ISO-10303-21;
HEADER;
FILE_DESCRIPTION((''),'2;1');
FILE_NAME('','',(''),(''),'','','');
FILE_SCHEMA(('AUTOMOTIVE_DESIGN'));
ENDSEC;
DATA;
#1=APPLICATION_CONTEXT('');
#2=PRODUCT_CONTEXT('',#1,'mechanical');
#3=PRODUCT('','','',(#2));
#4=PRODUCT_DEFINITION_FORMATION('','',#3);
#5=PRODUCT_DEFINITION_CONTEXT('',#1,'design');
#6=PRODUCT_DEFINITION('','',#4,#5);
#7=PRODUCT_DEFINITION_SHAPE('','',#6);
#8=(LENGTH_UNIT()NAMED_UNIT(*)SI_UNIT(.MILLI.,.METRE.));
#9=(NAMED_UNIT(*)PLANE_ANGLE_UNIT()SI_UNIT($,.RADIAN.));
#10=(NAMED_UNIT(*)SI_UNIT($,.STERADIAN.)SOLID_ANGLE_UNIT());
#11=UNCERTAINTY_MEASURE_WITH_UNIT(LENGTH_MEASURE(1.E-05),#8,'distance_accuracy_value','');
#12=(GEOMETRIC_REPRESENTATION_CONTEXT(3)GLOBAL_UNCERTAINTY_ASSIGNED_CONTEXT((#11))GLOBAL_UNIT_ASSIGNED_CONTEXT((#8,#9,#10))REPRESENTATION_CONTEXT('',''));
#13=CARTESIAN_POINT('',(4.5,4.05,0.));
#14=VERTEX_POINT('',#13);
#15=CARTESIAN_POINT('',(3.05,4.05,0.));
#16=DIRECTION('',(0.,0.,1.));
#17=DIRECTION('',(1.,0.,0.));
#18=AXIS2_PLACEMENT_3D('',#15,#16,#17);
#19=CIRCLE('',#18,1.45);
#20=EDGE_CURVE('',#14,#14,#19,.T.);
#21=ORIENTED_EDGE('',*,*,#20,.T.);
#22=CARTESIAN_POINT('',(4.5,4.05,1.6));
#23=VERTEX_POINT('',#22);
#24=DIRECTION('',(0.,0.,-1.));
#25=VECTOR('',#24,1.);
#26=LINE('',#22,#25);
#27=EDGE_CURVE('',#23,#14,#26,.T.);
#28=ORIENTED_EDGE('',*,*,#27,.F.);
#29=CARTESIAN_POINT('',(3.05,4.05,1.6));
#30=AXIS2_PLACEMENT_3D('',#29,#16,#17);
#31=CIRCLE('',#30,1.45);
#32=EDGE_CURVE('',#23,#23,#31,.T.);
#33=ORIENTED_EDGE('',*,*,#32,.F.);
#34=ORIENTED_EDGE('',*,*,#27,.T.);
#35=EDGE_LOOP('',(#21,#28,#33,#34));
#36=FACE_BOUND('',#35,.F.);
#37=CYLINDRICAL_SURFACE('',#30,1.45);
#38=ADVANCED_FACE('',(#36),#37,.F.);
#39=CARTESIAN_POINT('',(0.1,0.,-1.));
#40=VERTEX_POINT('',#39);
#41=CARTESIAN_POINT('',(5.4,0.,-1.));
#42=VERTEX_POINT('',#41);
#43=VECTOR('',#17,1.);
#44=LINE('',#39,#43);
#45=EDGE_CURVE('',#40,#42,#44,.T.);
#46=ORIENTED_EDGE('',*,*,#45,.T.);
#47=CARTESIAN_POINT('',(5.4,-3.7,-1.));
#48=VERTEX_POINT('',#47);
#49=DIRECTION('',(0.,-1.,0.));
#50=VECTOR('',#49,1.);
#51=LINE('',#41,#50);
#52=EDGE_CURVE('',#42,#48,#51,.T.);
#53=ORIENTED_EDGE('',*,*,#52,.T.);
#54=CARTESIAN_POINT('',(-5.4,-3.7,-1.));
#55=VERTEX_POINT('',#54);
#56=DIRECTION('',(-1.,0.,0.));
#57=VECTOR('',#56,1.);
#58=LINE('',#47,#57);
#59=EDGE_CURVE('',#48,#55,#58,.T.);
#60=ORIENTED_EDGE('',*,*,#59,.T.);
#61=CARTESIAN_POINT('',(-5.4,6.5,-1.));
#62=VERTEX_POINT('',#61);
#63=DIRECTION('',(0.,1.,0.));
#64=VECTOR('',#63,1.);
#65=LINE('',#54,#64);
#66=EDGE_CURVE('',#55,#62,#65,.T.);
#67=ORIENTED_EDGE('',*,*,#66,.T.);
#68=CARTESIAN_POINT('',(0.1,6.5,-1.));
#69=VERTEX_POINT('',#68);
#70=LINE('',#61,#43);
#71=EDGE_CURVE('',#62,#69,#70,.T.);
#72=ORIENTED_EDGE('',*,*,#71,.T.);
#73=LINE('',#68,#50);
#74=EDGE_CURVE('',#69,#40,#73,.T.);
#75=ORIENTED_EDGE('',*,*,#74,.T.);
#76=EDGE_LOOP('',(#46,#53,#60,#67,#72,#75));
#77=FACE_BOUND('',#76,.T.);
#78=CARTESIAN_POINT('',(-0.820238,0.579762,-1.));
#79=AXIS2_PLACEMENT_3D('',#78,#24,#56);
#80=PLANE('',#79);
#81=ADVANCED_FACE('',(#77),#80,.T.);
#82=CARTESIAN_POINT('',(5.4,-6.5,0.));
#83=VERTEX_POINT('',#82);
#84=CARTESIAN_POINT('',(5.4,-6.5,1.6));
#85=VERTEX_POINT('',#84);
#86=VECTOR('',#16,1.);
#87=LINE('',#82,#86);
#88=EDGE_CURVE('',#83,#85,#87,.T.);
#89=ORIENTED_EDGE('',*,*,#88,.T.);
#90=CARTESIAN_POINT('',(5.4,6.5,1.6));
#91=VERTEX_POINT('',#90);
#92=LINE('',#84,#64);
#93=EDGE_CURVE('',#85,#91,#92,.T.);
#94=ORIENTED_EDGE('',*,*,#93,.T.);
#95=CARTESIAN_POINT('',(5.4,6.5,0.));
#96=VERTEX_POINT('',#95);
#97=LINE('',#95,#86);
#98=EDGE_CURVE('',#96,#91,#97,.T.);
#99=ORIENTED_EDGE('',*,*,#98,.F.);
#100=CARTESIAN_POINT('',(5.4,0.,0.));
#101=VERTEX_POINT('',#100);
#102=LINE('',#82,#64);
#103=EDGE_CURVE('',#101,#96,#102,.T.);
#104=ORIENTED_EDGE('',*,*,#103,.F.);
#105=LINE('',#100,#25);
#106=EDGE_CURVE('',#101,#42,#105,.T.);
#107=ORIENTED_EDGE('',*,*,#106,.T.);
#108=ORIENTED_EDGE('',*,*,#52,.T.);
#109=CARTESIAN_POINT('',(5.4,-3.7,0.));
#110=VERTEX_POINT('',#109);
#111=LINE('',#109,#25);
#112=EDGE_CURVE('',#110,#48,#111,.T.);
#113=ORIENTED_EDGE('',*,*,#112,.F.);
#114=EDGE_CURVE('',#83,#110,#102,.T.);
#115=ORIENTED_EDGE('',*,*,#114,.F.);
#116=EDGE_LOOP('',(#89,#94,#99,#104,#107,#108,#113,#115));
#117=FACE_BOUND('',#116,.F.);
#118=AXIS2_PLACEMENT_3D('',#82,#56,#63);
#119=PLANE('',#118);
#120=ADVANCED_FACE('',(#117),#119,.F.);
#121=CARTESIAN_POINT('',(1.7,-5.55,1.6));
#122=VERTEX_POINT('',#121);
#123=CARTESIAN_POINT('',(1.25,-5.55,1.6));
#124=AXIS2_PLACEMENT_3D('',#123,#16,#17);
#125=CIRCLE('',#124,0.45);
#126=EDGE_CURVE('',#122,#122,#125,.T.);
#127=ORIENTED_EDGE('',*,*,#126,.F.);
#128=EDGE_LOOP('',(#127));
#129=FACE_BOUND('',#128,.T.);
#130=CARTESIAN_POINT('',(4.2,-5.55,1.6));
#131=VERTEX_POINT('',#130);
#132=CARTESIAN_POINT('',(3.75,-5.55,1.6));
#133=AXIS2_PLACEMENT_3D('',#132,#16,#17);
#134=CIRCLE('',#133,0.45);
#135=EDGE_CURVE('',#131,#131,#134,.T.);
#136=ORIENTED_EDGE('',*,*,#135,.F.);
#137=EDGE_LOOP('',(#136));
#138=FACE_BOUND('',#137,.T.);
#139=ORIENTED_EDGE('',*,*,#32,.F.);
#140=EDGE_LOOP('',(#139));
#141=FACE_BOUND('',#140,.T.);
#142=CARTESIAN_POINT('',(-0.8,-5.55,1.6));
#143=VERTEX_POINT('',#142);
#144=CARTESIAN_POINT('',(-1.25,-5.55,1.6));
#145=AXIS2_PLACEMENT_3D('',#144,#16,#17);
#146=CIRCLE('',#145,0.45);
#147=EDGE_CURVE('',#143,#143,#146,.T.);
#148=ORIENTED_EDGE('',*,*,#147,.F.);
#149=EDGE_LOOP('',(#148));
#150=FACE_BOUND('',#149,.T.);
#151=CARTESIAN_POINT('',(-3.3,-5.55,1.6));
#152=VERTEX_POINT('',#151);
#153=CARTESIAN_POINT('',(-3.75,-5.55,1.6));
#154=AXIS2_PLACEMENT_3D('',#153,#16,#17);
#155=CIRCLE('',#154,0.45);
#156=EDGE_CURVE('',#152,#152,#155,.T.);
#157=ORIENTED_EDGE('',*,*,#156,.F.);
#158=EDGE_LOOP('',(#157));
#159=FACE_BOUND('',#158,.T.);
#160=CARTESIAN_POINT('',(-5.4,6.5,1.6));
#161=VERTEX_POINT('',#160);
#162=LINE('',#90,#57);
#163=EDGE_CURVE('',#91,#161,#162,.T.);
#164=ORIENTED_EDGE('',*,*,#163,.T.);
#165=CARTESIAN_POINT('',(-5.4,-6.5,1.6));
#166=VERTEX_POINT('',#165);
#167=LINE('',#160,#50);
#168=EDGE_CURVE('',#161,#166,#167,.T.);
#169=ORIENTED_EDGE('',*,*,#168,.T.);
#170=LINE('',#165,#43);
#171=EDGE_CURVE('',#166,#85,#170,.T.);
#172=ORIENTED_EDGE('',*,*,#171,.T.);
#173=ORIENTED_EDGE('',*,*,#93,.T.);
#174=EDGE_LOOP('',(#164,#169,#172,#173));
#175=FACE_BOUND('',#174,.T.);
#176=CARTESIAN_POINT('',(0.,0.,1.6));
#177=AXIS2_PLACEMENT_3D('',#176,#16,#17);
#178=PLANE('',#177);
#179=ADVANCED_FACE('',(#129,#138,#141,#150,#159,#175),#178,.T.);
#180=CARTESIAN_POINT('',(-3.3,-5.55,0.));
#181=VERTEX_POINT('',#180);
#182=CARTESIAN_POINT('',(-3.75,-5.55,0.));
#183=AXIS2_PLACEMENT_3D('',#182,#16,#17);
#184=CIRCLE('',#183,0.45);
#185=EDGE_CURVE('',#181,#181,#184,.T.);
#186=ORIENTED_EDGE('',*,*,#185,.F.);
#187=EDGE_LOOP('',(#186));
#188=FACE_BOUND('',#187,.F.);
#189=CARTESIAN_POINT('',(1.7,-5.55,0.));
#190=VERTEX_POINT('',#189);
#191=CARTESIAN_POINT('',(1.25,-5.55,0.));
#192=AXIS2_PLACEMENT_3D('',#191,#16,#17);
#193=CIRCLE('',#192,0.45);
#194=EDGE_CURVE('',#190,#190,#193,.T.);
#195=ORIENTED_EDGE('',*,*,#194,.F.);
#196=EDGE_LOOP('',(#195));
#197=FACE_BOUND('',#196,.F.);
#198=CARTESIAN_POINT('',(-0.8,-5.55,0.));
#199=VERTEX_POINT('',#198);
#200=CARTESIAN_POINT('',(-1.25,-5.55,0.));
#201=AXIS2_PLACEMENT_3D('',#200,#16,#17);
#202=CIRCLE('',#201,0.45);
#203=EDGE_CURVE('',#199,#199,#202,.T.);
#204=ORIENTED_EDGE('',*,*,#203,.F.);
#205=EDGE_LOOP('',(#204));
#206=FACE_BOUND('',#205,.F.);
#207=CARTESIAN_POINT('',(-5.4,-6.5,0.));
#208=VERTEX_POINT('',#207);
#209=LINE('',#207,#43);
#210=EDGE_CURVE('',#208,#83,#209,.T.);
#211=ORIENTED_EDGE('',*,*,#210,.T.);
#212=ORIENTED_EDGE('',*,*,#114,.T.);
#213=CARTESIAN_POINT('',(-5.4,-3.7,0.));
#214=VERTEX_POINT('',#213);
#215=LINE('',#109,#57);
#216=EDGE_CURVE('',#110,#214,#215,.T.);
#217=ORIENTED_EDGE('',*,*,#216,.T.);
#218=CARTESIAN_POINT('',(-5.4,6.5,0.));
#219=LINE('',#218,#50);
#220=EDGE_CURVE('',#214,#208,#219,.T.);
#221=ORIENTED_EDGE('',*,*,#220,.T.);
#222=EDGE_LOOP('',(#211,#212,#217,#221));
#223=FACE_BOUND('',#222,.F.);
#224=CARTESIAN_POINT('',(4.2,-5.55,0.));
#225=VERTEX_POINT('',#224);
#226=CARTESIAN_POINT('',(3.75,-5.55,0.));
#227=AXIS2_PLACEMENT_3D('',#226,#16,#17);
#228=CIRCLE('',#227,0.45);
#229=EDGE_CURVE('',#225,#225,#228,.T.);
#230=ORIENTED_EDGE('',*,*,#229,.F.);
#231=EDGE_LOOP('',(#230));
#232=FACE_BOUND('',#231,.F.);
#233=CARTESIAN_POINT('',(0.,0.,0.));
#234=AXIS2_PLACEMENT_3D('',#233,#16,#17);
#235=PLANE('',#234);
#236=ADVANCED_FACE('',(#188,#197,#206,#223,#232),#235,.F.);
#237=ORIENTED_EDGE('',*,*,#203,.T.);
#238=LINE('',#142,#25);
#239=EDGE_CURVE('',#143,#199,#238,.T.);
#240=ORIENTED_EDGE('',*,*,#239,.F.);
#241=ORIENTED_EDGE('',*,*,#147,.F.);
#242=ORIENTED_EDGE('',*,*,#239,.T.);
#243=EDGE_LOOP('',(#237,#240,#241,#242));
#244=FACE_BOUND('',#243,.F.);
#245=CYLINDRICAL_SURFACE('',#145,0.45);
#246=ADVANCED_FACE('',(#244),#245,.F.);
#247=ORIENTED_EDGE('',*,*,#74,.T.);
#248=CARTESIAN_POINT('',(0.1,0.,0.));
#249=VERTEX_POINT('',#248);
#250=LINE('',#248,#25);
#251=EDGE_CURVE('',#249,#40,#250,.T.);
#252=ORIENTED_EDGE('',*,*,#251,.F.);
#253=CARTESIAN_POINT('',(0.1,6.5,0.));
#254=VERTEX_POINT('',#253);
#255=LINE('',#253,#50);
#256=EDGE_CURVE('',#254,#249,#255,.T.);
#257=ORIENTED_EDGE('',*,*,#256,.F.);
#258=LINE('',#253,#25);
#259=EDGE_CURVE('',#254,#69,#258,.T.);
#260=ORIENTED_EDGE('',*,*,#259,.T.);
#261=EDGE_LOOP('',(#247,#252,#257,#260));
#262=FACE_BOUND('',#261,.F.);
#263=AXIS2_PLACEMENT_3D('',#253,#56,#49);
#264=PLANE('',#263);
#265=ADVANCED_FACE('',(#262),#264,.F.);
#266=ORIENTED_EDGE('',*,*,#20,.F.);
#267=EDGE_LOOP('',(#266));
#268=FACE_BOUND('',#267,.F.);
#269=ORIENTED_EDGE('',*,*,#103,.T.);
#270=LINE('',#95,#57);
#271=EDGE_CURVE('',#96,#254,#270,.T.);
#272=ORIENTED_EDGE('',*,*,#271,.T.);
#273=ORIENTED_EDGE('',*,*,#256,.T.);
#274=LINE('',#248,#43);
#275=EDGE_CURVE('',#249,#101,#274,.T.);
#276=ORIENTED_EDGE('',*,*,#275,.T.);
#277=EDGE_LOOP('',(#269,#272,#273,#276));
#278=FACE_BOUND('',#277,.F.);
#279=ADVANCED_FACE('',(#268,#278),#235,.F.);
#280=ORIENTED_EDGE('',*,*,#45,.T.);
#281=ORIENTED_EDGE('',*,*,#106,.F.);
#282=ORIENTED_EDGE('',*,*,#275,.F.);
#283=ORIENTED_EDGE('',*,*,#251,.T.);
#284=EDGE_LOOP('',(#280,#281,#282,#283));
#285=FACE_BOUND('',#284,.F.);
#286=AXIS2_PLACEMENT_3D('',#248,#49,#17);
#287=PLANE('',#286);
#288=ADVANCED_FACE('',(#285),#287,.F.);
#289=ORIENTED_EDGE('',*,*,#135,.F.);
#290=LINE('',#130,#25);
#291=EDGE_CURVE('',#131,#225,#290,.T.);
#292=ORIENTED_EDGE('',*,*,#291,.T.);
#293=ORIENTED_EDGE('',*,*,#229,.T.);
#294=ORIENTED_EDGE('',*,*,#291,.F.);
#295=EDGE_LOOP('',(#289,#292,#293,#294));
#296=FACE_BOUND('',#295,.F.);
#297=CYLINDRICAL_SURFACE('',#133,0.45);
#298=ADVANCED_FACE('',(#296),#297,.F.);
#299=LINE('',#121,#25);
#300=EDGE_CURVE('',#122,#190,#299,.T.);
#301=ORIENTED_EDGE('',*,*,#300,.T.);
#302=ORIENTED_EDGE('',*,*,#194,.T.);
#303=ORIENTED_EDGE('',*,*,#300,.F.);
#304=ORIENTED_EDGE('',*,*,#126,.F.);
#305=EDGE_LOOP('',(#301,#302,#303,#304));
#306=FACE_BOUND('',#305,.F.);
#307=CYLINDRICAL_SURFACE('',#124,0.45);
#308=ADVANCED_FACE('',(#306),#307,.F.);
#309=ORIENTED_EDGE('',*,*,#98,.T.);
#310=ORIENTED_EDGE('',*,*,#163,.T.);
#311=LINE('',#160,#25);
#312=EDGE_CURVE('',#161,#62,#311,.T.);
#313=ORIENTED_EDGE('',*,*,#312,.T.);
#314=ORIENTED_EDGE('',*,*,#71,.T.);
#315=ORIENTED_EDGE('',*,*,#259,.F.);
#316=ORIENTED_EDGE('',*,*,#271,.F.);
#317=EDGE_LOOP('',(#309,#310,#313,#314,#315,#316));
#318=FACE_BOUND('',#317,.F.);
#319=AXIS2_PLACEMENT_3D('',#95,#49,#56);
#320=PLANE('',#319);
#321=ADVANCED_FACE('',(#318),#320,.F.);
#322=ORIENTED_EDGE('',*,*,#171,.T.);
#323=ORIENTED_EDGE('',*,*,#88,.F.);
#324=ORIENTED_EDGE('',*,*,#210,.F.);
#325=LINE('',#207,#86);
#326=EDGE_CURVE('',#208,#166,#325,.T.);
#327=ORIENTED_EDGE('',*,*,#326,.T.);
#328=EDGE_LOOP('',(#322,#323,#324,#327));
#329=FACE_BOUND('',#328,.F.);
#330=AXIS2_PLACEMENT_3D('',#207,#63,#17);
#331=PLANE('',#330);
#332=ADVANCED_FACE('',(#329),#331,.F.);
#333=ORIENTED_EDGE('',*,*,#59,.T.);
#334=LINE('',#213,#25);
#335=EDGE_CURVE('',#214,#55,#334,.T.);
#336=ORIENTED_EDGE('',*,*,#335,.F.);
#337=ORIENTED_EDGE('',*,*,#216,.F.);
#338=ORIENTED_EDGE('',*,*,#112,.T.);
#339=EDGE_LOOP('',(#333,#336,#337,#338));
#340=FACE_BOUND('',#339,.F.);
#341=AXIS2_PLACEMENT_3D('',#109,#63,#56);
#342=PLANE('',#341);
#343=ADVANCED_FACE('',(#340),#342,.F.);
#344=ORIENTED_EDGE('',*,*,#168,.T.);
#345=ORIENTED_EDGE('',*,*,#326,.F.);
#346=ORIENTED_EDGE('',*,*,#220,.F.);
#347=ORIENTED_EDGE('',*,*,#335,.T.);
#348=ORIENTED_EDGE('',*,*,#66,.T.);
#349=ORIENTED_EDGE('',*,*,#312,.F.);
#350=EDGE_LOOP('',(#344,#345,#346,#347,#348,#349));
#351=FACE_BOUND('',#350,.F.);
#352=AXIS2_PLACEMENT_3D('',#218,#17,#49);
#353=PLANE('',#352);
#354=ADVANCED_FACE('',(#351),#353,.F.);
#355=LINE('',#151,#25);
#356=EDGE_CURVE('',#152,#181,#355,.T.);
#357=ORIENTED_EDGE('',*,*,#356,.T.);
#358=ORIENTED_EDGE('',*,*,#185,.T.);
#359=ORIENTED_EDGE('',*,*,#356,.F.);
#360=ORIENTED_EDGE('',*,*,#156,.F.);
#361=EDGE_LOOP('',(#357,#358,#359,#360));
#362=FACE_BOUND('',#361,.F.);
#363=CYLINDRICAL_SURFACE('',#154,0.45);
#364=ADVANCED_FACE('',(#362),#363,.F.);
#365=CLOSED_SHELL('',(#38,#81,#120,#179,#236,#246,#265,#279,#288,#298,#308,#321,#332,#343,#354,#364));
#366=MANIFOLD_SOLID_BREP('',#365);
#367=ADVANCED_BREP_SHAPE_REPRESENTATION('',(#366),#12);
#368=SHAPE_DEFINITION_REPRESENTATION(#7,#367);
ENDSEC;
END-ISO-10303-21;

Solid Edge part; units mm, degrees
sketch "Sketch1" plane through (0, 0, 0) normal (0, 0, 1) x (1, 0, 0)
  line L0 (-5.4, -6.5) -> (5.4, -6.5)
  line L1 (5.4, -6.5) -> (5.4, 6.5)
  line L2 (5.4, 6.5) -> (-5.4, 6.5)
  line L3 (-5.4, 6.5) -> (-5.4, -6.5)
  dimension "D1" = 10.8
  dimension "D2" = 13
extrude "Protrusion1" add sketch "Sketch1" along normal blind 1.6
sketch "Sketch2" plane through (0, 0, 1.6) normal (0, 0, 1) x (1, 0, 0)
  circle A0 centre (3.05, 4.05) radius 1.45
  dimension "D1" = 2.9
  dimension "D2" = 1
  dimension "D3" = 0.9
extrude "Cutout1" cut sketch "Sketch2" against normal through all
sketch "Sketch3" plane through (0, 0, 1.6) normal (0, 0, 1) x (1, 0, 0)
  circle A0 centre (-3.75, -5.55) radius 0.45
  circle A1 centre (-1.25, -5.55) radius 0.45
  circle A2 centre (1.25, -5.55) radius 0.45
  circle A3 centre (3.75, -5.55) radius 0.45
  dimension "D1" = 0.9
  dimension "D2" = 2.5
  dimension "D3" = 0.95
extrude "Cutout2" cut sketch "Sketch3" against normal through all
sketch "Sketch4" plane through (0, 0, 0) normal (0, 0, -1) x (-1, 0, 0)
  line L0 (-0.1, 6.5) -> (-0.1, 0)
  line L1 (-0.1, 0) -> (-5.4, 0)
  line L2 (-5.4, 0) -> (-5.4, -3.7)
  line L3 (-5.4, -3.7) -> (5.4, -3.7)
  line L4 (5.4, -3.7) -> (5.4, 6.5)
  line L5 (5.4, 6.5) -> (-0.1, 6.5)
  dimension "D1" = 2.8
  dimension "D2" = 5.5
  dimension "D3" = 6.5
extrude "Extrusionsausprägung_2" add sketch "Sketch4" along normal blind 1
